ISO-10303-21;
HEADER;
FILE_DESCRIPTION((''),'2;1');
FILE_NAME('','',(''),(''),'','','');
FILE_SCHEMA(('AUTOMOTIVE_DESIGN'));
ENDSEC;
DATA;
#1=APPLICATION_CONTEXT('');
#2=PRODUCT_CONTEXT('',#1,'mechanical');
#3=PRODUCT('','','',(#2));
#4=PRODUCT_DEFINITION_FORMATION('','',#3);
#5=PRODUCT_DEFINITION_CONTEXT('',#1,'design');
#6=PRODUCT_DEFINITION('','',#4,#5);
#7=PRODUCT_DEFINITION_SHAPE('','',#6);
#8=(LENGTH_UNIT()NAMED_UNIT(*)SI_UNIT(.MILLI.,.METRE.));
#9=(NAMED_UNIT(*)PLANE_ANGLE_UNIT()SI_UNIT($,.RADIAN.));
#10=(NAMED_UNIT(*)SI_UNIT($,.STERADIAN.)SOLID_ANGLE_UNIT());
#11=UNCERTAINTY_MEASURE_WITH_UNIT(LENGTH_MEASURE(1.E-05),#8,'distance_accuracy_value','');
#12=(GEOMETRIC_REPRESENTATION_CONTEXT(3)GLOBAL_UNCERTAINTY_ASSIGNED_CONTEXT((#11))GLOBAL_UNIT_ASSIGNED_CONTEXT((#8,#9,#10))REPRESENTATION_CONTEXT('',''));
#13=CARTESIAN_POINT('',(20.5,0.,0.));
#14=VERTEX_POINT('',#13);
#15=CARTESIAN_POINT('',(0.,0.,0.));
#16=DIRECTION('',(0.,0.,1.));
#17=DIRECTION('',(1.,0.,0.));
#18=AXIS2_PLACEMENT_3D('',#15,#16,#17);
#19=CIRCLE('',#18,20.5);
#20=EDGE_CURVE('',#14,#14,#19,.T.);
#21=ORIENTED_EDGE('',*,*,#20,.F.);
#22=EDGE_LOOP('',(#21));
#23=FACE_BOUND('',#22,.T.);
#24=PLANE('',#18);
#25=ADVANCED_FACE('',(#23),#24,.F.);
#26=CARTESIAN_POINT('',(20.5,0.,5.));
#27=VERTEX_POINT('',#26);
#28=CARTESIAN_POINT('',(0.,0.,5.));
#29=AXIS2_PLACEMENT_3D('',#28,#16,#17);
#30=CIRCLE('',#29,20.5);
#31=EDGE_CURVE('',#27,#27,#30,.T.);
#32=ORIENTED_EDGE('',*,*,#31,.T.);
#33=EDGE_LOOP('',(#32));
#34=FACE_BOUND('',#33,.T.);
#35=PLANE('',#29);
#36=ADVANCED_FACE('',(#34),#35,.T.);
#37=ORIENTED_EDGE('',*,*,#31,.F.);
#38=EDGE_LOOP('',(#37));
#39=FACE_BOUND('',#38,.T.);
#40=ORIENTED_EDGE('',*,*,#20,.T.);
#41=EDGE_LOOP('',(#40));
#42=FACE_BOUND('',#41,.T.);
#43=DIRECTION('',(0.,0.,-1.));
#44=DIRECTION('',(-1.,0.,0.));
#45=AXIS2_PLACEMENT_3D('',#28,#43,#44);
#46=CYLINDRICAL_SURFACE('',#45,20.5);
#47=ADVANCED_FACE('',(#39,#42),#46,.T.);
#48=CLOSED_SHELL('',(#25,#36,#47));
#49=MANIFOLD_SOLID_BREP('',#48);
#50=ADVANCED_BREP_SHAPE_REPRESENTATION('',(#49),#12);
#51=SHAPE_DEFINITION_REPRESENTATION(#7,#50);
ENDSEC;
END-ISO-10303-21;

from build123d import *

# Parameters (mm, degrees)
SKETCH1_R      = 20.5
EXTRUDE1_DEPTH = 5


with BuildPart() as part:
    # Sketch1 → Extrude1 (new body)
    with BuildSketch(Plane.XY):
        Circle(SKETCH1_R)
    extrude(amount=EXTRUDE1_DEPTH)


solid = part.part
